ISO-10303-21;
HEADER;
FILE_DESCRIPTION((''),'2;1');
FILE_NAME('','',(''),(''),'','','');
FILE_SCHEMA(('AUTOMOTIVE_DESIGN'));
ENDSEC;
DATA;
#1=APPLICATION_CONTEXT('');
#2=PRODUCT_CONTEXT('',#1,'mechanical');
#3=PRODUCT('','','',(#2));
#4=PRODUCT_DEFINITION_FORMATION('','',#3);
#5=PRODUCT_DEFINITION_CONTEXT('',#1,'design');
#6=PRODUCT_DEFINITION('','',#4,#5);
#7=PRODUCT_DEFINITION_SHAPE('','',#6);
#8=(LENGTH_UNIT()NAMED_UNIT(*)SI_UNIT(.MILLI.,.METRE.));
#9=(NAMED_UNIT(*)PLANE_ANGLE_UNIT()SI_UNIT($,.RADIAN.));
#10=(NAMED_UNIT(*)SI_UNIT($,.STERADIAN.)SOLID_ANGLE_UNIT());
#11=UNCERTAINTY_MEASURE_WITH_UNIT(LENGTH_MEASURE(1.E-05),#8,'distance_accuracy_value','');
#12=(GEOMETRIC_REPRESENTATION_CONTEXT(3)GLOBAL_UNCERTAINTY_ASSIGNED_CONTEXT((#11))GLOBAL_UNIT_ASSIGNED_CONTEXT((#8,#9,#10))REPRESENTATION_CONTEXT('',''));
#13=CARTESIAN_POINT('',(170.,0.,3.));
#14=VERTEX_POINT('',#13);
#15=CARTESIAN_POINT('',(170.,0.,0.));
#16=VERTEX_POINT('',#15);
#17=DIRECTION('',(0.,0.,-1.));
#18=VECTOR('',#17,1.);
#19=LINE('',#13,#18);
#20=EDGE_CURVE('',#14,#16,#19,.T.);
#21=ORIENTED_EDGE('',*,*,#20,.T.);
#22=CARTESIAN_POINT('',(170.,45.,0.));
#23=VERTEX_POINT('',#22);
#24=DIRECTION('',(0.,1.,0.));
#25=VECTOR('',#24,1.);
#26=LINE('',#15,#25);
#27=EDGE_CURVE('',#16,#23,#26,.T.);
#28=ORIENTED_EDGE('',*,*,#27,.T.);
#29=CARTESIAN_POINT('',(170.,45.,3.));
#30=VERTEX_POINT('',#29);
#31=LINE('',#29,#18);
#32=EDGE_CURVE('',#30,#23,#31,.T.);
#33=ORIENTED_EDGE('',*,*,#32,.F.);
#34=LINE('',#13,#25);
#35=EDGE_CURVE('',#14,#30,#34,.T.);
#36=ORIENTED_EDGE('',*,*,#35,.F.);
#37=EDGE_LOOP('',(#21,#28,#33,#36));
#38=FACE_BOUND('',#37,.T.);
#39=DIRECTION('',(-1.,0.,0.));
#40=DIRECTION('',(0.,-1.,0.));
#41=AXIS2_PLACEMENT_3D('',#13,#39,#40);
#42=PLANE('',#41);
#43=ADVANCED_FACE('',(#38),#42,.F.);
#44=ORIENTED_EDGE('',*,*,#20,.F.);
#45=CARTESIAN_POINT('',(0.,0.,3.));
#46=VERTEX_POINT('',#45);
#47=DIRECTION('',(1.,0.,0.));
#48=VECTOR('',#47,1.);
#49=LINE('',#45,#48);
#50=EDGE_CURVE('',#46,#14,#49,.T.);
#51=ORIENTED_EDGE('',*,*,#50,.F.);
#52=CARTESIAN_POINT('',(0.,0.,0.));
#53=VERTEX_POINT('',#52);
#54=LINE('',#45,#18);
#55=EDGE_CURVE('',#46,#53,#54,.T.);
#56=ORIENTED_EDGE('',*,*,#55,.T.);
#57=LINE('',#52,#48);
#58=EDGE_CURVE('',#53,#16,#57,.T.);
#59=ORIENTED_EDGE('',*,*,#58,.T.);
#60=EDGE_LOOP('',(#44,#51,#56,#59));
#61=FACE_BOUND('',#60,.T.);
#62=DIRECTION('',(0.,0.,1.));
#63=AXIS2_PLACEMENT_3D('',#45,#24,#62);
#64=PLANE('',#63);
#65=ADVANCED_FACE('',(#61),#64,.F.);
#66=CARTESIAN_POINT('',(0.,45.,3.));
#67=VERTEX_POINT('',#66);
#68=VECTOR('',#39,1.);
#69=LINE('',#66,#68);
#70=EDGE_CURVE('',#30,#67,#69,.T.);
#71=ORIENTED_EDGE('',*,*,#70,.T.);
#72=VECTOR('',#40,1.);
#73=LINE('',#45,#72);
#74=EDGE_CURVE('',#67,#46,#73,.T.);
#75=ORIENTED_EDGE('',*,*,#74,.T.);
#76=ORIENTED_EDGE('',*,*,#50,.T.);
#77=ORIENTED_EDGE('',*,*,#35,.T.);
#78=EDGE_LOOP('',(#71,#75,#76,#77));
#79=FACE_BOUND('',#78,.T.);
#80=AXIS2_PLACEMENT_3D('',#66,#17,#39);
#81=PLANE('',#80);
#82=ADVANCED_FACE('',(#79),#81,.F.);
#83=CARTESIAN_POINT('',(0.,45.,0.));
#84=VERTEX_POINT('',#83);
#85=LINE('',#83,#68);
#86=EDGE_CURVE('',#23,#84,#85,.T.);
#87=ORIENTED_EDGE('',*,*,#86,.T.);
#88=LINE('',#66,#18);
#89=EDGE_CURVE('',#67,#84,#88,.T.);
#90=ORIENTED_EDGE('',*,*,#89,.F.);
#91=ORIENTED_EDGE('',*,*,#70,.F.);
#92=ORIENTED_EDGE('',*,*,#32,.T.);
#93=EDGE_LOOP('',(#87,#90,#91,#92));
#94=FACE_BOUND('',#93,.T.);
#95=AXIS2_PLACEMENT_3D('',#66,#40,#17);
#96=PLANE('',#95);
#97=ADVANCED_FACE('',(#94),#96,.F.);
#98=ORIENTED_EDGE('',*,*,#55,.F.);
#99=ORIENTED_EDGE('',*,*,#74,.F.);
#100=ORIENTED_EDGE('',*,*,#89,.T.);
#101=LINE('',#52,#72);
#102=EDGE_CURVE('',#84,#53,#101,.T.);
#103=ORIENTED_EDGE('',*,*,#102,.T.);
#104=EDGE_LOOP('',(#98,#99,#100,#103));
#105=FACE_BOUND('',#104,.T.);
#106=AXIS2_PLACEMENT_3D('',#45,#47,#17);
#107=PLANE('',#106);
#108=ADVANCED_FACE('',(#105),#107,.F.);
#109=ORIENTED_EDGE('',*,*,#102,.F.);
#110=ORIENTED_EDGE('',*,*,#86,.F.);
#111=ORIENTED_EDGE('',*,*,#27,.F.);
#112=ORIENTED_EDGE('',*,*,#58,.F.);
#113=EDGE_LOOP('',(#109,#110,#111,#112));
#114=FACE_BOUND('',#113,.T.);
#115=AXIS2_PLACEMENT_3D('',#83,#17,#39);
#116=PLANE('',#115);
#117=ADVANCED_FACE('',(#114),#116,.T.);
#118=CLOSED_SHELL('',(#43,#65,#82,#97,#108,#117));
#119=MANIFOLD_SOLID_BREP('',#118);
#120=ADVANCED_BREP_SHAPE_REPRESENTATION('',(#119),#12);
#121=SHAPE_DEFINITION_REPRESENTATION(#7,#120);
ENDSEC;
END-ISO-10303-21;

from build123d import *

# Parameters (mm, degrees)
CROQUIS1_W              = 170
CROQUIS1_H              = 45
SALIENTE_EXTRUIR1_DEPTH = 3


with BuildPart() as part:
    # Croquis1 → Saliente-Extruir1 (new body)
    with BuildSketch(Plane.XY):
        with Locations((85, 22.5)):
            Rectangle(CROQUIS1_W, CROQUIS1_H)
    extrude(amount=SALIENTE_EXTRUIR1_DEPTH)


solid = part.part
